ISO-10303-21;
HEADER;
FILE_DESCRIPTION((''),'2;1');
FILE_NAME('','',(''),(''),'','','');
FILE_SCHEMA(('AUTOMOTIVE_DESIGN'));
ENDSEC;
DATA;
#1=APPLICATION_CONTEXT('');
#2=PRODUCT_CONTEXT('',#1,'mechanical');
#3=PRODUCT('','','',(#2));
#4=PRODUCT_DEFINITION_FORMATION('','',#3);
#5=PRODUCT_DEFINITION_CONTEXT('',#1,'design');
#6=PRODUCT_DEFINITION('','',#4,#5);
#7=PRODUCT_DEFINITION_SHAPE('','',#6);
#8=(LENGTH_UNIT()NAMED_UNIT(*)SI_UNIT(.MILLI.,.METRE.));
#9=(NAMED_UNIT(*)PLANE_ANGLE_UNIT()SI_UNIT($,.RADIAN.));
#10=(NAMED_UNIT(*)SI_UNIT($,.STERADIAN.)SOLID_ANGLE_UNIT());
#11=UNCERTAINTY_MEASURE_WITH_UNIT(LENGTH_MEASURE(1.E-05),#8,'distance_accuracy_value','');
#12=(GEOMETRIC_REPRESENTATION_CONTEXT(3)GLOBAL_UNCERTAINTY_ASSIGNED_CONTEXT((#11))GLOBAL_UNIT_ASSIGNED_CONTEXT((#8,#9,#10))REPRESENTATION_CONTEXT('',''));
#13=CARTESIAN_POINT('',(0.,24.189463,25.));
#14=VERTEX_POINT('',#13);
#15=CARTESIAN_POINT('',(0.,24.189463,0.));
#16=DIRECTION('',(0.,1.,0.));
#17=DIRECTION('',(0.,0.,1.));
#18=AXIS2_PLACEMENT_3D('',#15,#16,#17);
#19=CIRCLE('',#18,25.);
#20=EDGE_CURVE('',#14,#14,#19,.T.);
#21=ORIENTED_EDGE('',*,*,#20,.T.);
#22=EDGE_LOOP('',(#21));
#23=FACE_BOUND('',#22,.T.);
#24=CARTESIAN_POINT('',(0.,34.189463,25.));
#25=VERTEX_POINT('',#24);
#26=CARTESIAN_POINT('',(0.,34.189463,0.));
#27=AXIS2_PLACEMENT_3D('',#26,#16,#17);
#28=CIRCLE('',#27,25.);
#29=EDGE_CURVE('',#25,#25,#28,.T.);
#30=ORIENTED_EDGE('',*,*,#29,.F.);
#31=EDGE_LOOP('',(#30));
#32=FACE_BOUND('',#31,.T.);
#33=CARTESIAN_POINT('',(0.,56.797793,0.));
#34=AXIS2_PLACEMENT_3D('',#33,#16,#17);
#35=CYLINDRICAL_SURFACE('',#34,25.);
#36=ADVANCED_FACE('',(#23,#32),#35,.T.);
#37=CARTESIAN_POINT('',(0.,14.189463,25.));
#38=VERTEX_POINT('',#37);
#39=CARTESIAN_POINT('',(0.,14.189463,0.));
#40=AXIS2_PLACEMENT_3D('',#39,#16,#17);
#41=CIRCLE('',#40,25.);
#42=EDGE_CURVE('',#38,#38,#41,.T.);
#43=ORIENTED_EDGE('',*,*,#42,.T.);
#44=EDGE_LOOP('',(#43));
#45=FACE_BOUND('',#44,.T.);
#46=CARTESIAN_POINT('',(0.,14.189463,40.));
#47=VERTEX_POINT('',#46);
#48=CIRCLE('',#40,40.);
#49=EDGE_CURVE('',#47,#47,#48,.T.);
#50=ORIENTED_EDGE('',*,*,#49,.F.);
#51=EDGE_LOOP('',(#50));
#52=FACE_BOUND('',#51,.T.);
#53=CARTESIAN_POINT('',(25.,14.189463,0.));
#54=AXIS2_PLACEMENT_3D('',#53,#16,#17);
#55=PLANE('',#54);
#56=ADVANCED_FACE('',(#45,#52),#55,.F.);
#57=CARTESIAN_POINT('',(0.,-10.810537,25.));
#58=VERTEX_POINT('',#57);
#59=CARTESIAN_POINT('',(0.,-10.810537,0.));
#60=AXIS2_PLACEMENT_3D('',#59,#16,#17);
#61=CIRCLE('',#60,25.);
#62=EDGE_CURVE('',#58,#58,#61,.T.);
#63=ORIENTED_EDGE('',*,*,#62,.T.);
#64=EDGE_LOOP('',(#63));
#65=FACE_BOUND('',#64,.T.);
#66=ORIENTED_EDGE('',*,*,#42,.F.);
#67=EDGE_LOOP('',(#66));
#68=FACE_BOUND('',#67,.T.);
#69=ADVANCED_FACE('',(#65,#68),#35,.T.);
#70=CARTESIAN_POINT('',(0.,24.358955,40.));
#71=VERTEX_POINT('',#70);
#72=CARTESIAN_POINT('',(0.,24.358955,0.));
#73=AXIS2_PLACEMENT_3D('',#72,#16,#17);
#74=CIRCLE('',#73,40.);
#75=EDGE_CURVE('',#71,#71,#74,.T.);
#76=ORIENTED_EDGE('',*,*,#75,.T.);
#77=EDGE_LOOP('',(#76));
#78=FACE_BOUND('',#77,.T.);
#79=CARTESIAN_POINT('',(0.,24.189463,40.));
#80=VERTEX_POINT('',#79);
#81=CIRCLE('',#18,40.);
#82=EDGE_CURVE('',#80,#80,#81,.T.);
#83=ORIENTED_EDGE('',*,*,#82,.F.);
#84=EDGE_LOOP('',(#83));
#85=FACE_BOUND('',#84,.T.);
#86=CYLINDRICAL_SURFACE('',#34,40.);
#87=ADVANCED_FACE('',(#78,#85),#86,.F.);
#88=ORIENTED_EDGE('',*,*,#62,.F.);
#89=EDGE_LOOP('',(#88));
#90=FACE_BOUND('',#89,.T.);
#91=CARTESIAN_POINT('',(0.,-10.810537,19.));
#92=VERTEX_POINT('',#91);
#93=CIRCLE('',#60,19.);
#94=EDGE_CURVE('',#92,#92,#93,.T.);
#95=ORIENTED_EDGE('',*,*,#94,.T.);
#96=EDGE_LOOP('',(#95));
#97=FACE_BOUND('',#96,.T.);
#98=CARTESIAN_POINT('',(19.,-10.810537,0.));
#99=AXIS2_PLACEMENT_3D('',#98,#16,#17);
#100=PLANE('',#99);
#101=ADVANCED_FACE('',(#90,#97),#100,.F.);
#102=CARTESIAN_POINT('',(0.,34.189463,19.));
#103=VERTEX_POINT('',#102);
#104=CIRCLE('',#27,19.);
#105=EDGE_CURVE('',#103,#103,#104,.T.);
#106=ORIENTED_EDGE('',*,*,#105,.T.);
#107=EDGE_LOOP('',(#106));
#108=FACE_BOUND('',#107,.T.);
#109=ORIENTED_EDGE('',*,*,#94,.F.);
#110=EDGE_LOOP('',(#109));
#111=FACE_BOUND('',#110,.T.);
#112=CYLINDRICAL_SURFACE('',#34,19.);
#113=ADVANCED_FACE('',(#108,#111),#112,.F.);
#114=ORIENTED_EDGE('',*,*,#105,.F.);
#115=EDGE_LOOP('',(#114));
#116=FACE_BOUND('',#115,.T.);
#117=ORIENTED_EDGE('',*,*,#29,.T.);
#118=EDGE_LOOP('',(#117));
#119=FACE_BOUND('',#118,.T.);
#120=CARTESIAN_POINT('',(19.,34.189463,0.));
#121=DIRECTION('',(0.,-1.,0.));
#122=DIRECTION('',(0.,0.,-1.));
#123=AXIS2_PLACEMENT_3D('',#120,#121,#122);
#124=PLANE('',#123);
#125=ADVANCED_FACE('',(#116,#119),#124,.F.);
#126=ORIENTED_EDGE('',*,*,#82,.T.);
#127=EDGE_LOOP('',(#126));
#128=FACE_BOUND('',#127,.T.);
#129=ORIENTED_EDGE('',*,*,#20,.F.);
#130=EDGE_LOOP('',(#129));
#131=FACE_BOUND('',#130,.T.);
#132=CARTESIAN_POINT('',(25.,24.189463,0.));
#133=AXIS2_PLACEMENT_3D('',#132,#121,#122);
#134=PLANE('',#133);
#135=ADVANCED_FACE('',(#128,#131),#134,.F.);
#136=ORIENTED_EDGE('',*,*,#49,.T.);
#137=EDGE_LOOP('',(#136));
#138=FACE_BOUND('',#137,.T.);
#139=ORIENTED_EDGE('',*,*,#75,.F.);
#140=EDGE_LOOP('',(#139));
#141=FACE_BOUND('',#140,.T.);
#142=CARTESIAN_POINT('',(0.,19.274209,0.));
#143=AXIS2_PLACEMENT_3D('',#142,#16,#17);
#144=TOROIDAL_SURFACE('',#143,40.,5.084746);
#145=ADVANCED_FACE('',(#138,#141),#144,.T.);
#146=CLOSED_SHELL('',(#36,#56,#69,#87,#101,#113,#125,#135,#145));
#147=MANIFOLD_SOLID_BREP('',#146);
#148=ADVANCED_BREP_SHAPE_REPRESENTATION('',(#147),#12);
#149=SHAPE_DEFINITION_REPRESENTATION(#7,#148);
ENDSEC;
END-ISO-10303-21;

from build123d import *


with BuildPart() as part:
    # Sketch1 → Revolve1 (revolve)
    with BuildSketch(Plane.XY):
        with BuildLine():
            Line((19, 34.18946336), (19, -10.81053664))
            Line((19, -10.81053664), (25, -10.81053664))
            Line((25, -10.81053664), (25, 14.18946336))
            Line((25, 14.18946336), (40, 14.18946336))
            ThreePointArc((40, 14.18946336), (45.084745763, 19.274209123), (40, 24.358954886))
            Line((40, 24.358954886), (40, 24.18946336))
            Line((40, 24.18946336), (25, 24.18946336))
            Line((25, 24.18946336), (25, 34.18946336))
            Line((25, 34.18946336), (19, 34.18946336))
        make_face()
    revolve(axis=Axis((0, 56.797792619, 0), (0, -1, 0)))


solid = part.part
